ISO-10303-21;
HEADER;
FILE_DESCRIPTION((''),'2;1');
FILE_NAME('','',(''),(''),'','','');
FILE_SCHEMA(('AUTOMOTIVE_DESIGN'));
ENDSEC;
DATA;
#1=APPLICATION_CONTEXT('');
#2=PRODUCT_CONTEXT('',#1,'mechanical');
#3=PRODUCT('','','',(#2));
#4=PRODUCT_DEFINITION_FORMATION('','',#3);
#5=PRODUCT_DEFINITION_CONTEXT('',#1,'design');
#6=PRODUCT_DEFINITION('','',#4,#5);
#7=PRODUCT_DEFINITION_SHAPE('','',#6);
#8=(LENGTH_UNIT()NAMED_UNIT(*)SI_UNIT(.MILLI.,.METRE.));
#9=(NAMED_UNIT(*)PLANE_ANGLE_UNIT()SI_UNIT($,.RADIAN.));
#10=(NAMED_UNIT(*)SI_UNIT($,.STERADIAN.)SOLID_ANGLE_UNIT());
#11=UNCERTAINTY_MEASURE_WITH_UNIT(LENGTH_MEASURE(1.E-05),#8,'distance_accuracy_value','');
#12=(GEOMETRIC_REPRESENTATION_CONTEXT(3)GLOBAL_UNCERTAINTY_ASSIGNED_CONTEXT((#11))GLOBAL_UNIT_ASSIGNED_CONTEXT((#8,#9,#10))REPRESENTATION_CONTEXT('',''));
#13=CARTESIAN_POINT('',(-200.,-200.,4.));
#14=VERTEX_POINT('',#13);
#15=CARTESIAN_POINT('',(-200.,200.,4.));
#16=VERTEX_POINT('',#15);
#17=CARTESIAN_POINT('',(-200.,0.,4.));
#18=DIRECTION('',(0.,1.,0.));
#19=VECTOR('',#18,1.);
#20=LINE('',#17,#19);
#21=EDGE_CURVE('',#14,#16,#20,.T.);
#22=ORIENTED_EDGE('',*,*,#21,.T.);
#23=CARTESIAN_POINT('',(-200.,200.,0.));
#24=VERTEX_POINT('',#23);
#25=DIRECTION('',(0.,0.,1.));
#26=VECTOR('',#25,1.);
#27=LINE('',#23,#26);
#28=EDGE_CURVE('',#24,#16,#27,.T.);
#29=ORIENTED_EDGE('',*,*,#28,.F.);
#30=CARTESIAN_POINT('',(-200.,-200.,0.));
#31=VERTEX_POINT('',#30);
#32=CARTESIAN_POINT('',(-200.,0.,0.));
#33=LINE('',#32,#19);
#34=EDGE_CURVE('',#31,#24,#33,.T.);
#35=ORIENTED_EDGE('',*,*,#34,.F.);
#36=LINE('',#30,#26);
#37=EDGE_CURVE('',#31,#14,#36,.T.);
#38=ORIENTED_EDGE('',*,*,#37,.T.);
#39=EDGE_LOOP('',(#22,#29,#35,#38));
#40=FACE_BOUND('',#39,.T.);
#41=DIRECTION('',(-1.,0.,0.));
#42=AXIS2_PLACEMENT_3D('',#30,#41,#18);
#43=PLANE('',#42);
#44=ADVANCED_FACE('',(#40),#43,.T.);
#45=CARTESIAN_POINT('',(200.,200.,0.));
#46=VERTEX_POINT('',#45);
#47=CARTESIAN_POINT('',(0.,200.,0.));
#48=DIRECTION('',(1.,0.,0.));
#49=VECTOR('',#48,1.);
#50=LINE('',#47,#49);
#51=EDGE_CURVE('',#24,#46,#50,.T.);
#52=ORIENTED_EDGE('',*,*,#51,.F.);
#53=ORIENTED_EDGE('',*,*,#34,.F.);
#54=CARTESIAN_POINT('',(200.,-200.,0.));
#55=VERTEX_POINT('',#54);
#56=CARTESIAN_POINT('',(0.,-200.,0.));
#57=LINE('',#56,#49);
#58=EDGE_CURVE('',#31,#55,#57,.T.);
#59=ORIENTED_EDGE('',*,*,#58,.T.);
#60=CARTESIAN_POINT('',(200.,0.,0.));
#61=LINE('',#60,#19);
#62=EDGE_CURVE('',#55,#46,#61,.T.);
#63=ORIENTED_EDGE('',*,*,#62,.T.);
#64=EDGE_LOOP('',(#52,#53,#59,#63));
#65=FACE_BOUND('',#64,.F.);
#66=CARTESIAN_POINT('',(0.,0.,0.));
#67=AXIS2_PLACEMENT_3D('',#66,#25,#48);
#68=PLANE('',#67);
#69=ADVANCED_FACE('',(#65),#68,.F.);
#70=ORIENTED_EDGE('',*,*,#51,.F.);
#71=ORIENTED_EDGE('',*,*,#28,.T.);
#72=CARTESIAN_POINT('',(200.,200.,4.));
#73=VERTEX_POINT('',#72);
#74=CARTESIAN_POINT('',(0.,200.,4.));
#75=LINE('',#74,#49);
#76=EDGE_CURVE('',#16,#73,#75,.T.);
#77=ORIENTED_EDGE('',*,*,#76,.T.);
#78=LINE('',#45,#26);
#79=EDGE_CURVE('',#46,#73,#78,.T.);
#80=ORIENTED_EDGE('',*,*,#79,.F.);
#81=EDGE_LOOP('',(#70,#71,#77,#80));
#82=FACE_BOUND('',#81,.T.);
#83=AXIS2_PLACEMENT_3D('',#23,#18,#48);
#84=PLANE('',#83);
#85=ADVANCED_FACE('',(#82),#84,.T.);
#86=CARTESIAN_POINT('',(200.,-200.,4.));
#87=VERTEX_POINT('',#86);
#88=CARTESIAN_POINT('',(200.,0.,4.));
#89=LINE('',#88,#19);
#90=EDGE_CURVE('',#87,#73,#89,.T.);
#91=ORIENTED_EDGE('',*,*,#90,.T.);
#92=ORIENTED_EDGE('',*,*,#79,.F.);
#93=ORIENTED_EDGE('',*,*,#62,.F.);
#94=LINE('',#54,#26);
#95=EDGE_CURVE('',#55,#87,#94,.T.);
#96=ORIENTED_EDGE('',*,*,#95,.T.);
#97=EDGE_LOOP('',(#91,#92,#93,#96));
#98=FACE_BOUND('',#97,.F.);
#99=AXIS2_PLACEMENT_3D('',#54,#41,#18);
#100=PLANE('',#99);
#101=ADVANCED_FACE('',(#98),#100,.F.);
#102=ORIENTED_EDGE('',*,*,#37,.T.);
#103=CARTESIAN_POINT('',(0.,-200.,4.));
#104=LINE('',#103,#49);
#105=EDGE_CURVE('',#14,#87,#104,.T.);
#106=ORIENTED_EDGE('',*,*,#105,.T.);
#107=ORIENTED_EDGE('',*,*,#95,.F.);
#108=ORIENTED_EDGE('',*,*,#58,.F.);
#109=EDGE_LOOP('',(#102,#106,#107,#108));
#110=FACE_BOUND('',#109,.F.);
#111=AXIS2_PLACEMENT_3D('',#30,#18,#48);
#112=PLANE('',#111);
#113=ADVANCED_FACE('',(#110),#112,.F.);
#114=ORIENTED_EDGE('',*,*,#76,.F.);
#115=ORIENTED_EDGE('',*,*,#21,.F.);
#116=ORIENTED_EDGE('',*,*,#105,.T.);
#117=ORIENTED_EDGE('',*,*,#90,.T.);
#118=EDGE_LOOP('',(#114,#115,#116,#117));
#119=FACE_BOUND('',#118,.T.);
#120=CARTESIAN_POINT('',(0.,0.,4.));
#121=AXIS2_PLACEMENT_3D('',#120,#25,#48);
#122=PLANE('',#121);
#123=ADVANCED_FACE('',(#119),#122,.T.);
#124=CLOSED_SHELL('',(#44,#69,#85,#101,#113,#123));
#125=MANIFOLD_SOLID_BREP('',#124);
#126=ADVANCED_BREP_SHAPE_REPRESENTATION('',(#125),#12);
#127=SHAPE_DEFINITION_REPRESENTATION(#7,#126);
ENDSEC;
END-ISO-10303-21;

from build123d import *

# Parameters (mm, degrees)
SKETCH_W  = 400
SKETCH_H  = 400
PAD_DEPTH = 4


with BuildPart() as part:
    # Sketch → Pad (new body)
    with BuildSketch(Plane.XY):
        Rectangle(SKETCH_W, SKETCH_H)
    extrude(amount=PAD_DEPTH)


solid = part.part
